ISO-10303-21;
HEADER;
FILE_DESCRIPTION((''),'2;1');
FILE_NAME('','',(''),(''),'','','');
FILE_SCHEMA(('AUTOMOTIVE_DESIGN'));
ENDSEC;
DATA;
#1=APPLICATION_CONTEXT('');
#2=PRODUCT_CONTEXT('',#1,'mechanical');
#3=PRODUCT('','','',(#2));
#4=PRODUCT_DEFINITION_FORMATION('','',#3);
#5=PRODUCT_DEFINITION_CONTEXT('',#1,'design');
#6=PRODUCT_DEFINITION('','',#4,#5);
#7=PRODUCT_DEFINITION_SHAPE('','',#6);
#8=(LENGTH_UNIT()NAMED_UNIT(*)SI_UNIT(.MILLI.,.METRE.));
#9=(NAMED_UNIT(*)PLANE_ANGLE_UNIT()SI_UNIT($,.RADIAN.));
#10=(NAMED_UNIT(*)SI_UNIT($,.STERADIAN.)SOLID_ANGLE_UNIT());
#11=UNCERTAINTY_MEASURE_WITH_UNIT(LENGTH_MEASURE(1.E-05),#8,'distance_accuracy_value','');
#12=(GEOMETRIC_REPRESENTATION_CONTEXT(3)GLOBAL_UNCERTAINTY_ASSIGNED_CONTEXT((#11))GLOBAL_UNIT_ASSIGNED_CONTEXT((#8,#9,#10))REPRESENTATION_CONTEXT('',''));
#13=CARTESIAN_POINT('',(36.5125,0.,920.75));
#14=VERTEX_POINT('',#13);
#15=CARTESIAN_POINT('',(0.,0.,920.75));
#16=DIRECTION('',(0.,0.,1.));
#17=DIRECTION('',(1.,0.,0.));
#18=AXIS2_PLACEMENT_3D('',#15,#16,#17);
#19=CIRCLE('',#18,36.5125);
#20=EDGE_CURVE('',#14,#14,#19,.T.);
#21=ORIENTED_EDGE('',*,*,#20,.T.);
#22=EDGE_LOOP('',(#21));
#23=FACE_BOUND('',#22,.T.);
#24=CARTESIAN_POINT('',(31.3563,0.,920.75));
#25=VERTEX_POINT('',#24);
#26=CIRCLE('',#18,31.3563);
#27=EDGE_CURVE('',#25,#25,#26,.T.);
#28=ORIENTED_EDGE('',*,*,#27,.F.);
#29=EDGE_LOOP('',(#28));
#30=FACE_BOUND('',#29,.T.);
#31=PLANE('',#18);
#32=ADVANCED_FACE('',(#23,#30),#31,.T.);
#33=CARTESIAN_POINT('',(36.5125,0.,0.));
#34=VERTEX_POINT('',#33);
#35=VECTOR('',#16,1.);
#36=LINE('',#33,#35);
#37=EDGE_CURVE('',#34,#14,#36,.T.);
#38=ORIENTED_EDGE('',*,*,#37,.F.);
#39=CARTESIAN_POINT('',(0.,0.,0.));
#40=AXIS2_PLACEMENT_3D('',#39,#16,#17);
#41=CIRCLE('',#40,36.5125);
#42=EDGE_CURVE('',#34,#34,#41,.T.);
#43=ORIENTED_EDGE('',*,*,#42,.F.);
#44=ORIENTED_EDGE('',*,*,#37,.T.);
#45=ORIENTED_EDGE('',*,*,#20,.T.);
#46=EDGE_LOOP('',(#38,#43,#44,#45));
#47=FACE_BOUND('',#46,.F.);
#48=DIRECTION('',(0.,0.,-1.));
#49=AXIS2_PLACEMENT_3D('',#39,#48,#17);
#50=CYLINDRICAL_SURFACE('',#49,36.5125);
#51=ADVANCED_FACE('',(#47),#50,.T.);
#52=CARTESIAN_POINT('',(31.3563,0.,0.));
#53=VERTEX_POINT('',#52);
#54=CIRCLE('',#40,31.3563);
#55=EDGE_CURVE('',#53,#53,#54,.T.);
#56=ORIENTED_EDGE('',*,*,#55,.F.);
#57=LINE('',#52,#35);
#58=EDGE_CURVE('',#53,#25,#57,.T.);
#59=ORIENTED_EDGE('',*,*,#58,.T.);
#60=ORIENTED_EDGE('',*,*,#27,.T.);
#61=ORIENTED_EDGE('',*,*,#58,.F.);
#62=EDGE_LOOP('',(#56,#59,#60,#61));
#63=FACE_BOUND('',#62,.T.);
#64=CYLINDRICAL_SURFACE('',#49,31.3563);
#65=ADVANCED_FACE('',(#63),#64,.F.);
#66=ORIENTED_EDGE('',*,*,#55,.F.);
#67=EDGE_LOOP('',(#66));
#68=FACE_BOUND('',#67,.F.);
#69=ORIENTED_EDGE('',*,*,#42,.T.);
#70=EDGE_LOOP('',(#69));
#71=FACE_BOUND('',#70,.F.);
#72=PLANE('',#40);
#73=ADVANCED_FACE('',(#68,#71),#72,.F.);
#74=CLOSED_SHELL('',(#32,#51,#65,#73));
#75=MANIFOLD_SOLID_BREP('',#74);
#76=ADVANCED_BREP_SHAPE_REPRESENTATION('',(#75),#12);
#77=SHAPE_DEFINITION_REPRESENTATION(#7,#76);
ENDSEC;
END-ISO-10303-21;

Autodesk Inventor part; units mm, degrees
ref_plane "YZ Plane" through (0, 0, 0) normal (1, 0, 0) x (0, 1, 0)
ref_plane "XZ Plane" through (0, 0, 0) normal (0, 1, 0) x (-1, 0, 0)
ref_plane "XY Plane" through (0, 0, 0) normal (0, 0, 1) x (1, 0, 0)
sketch "Sketch1" plane through (0, 0, 0) normal (0, 0, 1) x (1, 0, 0)
  circle A0 centre (0, 0) radius 36.5125
  circle A1 centre (0, 0) radius 31.3563
  dimension "d0" = 73.025
  dimension "d1" = 62.7126
extrude "Extrusion1" add sketch "Sketch1" along normal blind 920.75
properties part number "A1-18002-100-23 2.25in x 3.5ft bar tube" material "PVC-Piping"
